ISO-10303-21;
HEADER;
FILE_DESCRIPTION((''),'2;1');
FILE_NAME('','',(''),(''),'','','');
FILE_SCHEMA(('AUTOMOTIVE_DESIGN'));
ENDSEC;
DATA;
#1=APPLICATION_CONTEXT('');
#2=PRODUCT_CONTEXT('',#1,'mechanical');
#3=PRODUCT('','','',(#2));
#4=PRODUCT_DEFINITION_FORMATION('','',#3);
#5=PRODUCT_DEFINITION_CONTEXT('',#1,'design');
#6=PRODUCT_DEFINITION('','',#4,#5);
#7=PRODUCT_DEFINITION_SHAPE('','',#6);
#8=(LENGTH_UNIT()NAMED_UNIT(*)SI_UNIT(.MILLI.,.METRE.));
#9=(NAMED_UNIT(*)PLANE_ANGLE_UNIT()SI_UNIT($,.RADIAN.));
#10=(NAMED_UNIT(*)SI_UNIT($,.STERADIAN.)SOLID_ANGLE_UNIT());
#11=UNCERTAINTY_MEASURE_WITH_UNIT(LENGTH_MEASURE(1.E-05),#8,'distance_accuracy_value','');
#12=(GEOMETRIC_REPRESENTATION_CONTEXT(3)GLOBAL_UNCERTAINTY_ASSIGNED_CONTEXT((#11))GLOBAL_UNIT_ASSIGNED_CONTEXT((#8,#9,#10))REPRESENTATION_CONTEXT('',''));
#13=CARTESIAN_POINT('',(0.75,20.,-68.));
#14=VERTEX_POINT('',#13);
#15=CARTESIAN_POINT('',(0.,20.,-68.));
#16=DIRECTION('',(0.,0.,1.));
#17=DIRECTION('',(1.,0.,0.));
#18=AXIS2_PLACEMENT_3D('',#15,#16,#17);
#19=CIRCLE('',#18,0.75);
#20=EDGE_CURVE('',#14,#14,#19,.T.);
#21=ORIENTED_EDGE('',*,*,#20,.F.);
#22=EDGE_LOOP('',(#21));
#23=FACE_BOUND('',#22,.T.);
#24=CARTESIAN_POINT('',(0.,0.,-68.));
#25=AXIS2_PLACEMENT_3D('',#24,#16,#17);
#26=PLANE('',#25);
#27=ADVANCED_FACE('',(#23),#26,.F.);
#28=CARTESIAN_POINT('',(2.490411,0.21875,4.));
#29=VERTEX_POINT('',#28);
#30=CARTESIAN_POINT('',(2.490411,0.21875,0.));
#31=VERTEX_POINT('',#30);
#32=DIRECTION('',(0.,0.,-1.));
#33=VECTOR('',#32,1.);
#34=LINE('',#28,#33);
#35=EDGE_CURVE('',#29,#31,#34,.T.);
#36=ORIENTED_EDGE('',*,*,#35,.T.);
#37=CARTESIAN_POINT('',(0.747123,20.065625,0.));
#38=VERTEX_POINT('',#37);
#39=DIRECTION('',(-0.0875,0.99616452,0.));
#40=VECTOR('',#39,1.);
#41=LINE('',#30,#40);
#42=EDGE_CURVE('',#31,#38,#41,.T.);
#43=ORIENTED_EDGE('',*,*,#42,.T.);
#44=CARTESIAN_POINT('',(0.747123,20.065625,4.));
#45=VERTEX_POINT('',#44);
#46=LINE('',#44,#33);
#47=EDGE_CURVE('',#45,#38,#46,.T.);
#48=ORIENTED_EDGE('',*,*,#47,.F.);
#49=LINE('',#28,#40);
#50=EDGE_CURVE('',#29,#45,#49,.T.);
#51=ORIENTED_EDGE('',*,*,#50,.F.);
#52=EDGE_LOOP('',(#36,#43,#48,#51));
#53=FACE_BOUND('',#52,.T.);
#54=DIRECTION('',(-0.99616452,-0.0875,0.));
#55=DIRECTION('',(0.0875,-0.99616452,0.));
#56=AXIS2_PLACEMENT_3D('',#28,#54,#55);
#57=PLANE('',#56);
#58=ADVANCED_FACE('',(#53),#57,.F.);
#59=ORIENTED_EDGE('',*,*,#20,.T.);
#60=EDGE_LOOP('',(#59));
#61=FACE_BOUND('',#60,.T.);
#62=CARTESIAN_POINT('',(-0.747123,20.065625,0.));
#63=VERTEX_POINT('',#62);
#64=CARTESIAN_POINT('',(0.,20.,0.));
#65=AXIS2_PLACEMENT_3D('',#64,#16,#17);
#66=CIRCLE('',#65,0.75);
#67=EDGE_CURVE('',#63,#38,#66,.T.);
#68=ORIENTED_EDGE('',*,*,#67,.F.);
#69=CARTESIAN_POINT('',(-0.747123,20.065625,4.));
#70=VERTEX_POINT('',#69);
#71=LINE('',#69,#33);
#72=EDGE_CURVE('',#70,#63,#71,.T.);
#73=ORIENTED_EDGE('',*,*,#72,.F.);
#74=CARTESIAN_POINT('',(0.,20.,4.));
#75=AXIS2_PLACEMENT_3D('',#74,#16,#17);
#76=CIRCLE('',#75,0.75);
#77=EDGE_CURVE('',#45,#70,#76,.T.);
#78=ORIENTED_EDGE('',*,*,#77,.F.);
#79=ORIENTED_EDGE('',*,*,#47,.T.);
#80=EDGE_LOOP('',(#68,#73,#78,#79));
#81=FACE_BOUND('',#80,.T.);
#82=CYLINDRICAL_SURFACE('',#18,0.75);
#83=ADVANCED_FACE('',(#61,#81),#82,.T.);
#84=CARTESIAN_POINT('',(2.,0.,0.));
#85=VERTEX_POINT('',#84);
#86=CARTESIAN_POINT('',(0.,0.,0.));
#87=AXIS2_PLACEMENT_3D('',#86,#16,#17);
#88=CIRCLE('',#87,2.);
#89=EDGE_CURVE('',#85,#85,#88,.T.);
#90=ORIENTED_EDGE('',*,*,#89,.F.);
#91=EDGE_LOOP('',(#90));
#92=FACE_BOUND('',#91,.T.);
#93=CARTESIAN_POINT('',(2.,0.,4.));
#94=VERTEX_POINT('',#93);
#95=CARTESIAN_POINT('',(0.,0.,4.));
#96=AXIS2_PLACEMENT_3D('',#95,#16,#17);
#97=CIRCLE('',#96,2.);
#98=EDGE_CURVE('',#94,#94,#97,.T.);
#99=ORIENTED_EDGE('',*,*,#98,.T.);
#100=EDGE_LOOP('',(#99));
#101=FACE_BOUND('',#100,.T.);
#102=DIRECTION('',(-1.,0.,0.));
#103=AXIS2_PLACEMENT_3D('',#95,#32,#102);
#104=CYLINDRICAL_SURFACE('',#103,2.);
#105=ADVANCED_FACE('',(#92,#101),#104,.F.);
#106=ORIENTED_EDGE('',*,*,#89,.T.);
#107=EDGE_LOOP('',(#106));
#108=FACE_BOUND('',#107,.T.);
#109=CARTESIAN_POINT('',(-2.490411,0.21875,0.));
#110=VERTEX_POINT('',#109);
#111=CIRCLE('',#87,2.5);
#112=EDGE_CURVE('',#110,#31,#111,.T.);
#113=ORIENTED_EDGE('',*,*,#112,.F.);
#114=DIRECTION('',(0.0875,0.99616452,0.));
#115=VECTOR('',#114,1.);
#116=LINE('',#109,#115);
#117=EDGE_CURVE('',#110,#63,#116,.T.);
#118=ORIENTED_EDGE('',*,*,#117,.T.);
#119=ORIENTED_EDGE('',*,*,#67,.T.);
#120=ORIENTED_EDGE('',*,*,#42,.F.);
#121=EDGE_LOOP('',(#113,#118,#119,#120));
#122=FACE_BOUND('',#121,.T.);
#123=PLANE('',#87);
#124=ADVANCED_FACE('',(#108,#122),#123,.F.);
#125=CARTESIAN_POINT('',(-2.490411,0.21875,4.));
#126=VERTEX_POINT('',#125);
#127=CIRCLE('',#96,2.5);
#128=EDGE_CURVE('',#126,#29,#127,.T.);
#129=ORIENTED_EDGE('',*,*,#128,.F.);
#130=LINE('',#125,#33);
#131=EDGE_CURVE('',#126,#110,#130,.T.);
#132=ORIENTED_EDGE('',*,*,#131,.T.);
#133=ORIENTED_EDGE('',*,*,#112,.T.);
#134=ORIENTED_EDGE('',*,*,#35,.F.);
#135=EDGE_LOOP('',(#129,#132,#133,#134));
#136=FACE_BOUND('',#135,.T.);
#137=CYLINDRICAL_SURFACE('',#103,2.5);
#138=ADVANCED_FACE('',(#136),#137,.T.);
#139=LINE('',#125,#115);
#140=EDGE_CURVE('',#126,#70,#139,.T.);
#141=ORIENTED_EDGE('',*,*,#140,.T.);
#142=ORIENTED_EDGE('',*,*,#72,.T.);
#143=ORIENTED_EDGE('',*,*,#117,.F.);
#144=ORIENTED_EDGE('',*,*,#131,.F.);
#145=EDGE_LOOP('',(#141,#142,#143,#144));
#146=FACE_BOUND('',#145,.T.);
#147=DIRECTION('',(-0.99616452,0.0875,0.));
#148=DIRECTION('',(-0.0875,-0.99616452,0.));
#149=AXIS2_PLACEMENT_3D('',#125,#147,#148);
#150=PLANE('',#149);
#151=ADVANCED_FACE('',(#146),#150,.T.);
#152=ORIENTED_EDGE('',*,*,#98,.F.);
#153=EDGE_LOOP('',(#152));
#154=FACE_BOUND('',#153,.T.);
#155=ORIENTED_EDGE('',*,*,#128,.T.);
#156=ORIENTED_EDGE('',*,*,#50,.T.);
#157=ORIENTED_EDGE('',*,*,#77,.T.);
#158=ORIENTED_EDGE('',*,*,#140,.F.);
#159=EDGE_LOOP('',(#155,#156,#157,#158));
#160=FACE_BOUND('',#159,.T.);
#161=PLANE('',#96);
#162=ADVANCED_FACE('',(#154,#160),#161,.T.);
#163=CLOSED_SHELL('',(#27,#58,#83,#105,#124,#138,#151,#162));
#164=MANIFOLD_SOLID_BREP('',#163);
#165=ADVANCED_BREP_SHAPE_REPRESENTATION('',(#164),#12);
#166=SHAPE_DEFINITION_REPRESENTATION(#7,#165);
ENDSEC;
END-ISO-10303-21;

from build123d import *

# Parameters (mm, degrees)
IZIM1_R                          = 2
Y_KSEKLIK_EKSTR_ZYON1_DEPTH      = 4
Y_KSEKLIK_EKSTR_ZYON2_DEPTH      = 4
Y_KSEKLIK_EKSTR_ZYON2_DEPTH_BACK = 68


with BuildPart() as part:
    # Çizim1 → Yükseklik-Ekstrüzyon1 (new body)
    with BuildSketch(Plane.XY):
        with BuildLine():
            Line((2.490411299, 0.21875), (0.74712339, 20.065625))
            ThreePointArc((0.74712339, 20.065625), (0, 19.25), (-0.74712339, 20.065625))
            Line((-0.74712339, 20.065625), (-2.490411299, 0.21875))
            ThreePointArc((-2.490411299, 0.21875), (0, -2.5), (2.490411299, 0.21875))
        make_face()
        Circle(IZIM1_R, mode=Mode.SUBTRACT)
    extrude(amount=Y_KSEKLIK_EKSTR_ZYON1_DEPTH)

    # Çizim1<3> → Yükseklik-Ekstrüzyon2 (add, two sides: drawn at the far end of the back side and taken through both)
    with BuildSketch(Plane.XY.offset(-Y_KSEKLIK_EKSTR_ZYON2_DEPTH_BACK)):
        with BuildLine():
            ThreePointArc((0.74712339, 20.065625), (0, 20.75), (-0.74712339, 20.065625))
            ThreePointArc((-0.74712339, 20.065625), (-0.032844008, 19.250719498), (0.75, 20))
            ThreePointArc((0.75, 20), (0.749280502, 20.032844008), (0.74712339, 20.065625))
        make_face()
    extrude(amount=Y_KSEKLIK_EKSTR_ZYON2_DEPTH + Y_KSEKLIK_EKSTR_ZYON2_DEPTH_BACK)


solid = part.part
